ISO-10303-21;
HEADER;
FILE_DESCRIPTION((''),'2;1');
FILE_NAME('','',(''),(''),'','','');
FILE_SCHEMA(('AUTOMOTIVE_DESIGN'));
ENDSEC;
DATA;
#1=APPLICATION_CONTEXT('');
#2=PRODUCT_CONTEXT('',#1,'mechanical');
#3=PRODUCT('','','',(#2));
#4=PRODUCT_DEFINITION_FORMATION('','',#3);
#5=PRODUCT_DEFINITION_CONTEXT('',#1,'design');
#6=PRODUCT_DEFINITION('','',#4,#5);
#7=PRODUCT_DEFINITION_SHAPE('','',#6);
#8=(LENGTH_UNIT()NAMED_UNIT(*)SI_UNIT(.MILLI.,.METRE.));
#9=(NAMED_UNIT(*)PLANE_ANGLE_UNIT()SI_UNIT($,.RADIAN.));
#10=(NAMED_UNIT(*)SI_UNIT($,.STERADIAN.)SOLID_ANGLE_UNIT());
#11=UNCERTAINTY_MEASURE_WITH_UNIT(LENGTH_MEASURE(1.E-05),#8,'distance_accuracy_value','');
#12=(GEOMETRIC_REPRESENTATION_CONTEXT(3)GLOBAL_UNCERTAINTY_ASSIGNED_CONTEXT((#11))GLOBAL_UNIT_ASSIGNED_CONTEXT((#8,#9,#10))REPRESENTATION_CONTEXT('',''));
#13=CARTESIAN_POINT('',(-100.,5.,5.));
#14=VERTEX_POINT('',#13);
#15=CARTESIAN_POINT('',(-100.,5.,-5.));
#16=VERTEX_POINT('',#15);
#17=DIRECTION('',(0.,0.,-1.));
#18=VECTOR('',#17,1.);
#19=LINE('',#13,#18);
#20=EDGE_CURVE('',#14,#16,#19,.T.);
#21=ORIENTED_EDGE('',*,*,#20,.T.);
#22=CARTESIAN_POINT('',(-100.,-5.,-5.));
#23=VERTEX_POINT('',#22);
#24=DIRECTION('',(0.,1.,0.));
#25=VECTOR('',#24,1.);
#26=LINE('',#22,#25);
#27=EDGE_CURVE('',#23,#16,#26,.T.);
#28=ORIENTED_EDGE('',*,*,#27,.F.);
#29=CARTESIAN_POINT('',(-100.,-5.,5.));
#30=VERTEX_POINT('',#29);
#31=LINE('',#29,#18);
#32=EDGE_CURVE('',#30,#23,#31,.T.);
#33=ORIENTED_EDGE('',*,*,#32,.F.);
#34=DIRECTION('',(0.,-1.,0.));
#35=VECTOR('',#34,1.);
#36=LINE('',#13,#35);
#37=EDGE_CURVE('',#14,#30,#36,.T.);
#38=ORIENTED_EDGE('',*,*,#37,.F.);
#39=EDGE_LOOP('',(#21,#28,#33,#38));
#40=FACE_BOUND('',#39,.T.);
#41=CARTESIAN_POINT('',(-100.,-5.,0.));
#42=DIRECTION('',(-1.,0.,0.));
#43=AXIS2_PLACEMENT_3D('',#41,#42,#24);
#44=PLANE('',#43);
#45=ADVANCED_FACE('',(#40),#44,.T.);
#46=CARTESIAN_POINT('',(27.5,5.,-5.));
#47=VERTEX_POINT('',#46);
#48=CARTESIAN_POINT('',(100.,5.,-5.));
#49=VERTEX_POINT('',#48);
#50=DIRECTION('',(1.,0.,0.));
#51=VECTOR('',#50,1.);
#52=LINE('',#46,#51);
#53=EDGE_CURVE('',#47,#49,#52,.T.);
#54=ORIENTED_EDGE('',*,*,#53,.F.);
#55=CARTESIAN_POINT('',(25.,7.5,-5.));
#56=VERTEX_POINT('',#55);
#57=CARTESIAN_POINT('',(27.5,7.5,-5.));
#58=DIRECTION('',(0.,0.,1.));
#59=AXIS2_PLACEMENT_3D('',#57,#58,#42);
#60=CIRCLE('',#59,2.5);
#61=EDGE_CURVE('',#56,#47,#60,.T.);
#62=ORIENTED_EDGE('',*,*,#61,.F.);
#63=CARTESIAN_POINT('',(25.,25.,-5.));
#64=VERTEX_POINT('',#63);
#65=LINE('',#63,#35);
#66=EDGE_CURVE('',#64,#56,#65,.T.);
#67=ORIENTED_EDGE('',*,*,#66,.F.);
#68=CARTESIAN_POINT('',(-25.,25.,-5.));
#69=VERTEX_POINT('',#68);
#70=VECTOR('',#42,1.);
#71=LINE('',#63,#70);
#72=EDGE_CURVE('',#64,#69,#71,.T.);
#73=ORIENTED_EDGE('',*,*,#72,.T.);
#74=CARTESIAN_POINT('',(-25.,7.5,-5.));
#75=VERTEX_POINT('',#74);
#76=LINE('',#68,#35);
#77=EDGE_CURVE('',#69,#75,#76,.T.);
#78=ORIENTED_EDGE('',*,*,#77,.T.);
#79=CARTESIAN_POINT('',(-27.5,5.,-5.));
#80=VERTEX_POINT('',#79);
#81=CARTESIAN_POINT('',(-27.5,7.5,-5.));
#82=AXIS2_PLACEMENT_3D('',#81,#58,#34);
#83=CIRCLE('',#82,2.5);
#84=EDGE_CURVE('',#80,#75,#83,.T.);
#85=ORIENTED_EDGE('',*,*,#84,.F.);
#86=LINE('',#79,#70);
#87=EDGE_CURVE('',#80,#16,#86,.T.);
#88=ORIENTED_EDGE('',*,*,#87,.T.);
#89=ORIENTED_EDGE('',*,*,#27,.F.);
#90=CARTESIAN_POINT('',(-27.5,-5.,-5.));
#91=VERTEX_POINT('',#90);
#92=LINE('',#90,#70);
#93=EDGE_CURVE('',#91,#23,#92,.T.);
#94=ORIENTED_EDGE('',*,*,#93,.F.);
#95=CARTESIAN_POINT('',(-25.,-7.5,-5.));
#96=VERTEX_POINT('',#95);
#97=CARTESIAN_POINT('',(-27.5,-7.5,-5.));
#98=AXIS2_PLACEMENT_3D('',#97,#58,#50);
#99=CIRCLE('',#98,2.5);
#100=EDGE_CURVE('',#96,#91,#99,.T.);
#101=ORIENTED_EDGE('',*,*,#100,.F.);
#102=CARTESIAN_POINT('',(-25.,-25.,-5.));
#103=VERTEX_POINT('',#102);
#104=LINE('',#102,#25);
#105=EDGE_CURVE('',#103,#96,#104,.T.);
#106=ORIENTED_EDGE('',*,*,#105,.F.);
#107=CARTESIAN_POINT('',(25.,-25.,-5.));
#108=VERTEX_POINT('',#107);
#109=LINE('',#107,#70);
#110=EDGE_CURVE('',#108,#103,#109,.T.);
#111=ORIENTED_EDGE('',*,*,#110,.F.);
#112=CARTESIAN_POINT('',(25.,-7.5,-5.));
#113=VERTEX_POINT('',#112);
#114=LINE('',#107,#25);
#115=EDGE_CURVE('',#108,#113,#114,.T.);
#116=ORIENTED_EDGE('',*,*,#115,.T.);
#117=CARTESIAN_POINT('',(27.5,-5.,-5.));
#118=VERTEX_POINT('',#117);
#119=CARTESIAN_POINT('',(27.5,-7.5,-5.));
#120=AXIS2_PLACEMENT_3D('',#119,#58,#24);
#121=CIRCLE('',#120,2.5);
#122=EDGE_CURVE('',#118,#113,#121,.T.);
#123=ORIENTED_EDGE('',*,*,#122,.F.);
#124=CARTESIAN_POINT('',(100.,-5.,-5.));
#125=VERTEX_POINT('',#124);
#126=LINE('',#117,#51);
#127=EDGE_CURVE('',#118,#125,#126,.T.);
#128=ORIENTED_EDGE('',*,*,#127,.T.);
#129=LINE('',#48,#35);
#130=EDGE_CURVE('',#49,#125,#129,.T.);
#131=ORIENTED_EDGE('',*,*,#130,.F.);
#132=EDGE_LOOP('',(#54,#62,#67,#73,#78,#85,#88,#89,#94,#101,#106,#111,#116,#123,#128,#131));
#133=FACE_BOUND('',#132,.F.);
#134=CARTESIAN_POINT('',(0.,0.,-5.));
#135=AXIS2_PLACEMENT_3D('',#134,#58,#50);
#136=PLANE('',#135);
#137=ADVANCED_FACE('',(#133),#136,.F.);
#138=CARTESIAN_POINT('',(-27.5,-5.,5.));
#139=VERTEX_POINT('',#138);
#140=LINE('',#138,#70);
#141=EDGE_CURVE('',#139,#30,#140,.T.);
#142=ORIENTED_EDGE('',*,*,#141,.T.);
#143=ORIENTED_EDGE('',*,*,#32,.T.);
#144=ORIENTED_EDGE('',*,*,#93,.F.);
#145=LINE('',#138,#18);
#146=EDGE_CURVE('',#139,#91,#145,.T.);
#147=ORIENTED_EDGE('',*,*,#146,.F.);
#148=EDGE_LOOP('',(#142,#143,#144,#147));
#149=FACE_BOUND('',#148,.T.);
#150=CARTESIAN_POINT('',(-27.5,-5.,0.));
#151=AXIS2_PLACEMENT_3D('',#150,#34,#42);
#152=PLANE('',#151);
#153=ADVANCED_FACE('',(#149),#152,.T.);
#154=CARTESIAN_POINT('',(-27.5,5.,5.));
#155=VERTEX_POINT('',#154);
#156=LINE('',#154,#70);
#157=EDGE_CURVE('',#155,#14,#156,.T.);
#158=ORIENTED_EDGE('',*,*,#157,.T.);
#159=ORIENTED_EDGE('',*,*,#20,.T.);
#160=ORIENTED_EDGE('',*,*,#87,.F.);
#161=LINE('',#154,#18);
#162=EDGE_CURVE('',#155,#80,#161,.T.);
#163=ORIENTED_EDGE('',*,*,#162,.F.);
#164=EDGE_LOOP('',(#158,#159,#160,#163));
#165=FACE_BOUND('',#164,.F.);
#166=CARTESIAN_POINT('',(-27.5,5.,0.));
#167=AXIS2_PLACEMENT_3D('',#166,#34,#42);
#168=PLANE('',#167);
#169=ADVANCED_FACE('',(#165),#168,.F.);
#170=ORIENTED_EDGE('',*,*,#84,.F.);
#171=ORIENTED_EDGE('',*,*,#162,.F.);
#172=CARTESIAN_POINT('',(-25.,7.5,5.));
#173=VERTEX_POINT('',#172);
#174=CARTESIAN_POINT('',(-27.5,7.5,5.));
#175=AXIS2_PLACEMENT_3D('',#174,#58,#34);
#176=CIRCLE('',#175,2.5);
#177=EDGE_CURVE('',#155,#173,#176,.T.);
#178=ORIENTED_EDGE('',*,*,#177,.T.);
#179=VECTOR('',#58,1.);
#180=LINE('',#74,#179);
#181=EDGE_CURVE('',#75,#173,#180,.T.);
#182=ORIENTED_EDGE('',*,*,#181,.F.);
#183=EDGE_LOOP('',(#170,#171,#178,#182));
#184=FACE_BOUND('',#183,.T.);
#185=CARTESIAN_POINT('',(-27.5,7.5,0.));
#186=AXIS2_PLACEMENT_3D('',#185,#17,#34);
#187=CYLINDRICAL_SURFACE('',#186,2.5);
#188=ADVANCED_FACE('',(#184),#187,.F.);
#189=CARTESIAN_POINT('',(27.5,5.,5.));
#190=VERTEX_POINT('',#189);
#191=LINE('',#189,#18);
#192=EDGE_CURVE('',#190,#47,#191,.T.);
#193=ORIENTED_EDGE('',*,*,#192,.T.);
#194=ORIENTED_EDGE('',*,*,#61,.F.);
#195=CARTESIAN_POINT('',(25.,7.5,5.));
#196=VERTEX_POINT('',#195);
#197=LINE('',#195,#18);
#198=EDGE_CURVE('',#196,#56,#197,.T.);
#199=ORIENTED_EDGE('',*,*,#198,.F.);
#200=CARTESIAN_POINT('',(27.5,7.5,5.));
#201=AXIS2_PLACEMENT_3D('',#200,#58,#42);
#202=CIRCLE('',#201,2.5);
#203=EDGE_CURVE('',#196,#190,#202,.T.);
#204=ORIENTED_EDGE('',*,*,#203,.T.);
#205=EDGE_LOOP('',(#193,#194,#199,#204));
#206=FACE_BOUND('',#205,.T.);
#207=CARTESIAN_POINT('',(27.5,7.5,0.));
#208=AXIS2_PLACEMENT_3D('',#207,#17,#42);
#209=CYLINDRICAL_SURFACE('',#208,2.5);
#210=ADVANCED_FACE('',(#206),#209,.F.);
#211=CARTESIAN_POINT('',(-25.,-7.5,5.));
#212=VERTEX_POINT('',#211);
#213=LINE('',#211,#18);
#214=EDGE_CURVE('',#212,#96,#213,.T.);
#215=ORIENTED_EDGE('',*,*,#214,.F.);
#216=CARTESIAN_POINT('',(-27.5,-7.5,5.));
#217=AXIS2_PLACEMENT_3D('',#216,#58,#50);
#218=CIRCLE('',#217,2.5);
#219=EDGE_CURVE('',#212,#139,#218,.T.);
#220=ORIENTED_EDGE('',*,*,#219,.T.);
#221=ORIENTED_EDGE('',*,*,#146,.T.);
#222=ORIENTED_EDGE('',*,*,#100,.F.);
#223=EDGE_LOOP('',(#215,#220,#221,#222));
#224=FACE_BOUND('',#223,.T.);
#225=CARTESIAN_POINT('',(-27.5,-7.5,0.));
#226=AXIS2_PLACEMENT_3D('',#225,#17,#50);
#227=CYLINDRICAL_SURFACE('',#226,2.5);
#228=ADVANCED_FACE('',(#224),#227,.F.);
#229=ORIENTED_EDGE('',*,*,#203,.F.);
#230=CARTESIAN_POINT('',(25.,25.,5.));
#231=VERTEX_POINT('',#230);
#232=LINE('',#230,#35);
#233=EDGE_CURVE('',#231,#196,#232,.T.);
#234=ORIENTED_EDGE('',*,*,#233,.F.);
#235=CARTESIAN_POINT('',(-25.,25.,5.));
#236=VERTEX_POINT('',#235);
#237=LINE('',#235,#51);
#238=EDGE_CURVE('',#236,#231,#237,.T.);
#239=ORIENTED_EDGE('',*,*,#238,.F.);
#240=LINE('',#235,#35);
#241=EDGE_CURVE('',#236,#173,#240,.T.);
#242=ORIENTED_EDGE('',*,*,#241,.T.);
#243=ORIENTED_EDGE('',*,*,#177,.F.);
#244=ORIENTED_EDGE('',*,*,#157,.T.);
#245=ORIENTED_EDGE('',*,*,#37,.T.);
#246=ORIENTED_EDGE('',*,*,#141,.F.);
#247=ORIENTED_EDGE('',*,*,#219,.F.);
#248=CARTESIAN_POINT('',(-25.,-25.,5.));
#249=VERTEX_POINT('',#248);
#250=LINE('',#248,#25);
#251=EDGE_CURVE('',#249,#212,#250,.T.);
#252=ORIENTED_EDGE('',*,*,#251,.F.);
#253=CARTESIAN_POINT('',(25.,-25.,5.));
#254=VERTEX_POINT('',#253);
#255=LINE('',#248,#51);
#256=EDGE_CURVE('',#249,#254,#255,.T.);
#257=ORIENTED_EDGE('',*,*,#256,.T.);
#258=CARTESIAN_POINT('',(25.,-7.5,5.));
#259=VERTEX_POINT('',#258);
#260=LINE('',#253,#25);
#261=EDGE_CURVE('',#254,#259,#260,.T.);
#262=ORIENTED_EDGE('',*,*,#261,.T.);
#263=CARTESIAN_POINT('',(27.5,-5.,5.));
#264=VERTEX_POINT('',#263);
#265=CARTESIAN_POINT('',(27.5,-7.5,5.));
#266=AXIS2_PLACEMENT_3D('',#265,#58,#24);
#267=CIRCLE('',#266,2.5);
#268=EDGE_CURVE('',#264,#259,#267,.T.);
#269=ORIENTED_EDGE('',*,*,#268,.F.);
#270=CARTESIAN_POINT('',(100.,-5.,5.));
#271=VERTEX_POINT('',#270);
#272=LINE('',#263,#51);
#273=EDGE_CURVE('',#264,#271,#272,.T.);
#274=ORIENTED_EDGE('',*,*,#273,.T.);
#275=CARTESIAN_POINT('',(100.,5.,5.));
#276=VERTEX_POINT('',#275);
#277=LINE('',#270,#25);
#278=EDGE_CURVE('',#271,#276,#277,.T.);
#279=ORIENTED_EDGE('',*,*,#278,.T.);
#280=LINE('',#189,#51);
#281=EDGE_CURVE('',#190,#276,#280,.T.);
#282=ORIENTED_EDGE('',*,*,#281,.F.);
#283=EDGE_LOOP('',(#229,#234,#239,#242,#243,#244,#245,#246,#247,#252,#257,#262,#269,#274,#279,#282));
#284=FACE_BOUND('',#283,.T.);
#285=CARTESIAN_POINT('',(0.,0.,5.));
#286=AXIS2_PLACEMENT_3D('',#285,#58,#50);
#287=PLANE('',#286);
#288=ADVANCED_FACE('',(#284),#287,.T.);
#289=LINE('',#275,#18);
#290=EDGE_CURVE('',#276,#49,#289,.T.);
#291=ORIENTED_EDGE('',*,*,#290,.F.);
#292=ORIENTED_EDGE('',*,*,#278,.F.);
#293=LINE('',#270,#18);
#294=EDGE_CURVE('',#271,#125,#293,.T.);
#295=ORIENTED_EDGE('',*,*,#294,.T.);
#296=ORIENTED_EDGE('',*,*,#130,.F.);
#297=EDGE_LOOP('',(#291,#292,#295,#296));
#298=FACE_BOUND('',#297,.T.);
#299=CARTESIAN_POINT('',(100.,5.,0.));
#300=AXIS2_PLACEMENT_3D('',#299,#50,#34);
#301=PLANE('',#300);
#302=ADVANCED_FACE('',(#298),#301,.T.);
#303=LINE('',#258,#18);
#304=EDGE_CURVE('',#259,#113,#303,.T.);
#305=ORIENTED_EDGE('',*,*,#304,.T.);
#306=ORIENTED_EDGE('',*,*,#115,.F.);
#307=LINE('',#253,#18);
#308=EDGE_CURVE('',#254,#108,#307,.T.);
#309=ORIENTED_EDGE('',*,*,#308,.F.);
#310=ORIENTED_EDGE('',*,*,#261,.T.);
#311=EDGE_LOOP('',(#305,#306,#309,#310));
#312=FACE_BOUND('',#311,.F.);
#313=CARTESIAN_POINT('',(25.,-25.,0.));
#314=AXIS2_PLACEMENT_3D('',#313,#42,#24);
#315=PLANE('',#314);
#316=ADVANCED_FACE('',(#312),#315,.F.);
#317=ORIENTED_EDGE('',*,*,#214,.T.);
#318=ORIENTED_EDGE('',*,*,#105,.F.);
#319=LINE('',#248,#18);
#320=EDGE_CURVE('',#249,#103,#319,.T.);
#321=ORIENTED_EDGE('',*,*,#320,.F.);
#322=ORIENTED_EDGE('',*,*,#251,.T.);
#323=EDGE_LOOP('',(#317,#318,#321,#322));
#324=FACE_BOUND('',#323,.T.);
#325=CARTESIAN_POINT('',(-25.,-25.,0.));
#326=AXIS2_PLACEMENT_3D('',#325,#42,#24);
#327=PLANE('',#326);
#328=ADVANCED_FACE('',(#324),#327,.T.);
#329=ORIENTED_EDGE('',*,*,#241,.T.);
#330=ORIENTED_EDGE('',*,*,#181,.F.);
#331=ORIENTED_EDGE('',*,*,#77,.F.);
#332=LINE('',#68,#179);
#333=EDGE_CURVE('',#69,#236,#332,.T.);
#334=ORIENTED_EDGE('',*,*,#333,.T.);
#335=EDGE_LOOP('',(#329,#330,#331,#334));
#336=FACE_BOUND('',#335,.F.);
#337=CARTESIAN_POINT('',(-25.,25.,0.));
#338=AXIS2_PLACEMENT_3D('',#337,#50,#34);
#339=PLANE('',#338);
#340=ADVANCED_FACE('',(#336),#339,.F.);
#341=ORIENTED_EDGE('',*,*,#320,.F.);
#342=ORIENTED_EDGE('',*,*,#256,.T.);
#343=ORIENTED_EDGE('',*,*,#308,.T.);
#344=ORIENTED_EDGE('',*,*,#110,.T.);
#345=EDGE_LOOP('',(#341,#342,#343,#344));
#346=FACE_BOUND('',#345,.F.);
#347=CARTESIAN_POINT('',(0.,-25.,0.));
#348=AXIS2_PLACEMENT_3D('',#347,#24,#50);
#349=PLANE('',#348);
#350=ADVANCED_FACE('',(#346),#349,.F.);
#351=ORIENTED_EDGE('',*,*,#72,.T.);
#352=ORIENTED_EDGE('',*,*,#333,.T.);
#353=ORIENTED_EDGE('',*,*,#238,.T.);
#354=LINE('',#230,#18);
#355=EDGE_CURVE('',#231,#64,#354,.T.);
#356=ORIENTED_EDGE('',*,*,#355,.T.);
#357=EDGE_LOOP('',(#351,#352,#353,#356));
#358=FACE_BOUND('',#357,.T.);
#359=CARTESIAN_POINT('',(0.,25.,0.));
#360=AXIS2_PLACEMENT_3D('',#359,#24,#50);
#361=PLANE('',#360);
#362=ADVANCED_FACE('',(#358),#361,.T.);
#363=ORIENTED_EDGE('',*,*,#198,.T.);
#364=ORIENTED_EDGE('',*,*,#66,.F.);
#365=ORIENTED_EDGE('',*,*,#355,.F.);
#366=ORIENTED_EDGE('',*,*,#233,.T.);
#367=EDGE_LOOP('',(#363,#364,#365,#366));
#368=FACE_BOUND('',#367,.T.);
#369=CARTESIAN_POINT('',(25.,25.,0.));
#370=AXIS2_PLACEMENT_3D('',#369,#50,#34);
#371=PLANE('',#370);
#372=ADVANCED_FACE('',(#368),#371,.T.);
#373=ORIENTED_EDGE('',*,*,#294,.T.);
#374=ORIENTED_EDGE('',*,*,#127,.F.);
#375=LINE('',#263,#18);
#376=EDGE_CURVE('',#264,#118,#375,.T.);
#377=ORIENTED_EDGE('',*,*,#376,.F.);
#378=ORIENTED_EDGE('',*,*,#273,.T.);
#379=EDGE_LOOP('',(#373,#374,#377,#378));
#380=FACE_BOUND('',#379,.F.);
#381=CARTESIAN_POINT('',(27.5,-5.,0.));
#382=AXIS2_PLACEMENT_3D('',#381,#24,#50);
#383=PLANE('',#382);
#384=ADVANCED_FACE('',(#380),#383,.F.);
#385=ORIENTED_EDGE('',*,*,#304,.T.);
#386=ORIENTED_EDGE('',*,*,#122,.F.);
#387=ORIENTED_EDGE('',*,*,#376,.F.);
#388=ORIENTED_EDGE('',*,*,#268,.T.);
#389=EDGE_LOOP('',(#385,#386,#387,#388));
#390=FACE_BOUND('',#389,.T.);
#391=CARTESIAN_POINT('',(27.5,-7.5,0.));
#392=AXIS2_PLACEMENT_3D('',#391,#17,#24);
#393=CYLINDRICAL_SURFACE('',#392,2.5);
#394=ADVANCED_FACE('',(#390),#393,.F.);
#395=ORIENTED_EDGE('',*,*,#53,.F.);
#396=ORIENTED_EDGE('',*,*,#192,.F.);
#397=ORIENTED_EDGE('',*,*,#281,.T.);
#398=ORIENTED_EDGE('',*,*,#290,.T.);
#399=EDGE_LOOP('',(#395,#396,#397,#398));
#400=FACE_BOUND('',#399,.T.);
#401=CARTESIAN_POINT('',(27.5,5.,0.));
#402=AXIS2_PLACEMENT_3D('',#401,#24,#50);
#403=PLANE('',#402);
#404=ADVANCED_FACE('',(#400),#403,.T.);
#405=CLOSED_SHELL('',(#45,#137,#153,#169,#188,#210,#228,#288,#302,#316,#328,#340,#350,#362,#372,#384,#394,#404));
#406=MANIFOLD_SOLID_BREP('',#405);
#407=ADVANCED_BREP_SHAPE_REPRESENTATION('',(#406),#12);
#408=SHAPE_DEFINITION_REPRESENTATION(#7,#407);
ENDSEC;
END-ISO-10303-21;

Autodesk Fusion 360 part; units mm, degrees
sketch "Sketch1" plane through (0, 0, 0) normal (0, 0, 1) x (1, 0, 0)
  line L0 (0, 25) -> (25, 25)
  line L1 (25, 25) -> (25, 7.5)
  arc A0 (25, 7.5) -> (27.5, 5) centre (27.5, 7.5) ccw
  line L2 (27.5, 5) -> (100, 5)
  line L3 (100, 5) -> (100, 0)
  line L4 (0, 0) -> (0, 25) construction
  line L5 (0, 0) -> (100, 0) construction
  line L6 (0, -25) -> (25, -25)
  line L7 (25, -25) -> (25, -7.5)
  arc A1 (27.5, -5) -> (25, -7.5) centre (27.5, -7.5) ccw
  line L8 (27.5, -5) -> (100, -5)
  line L9 (100, -5) -> (100, 0)
  line L10 (0, 25) -> (-25, 25)
  line L11 (-25, 25) -> (-25, 7.5)
  arc A2 (-27.5, 5) -> (-25, 7.5) centre (-27.5, 7.5) ccw
  line L12 (-27.5, 5) -> (-100, 5)
  line L13 (-25, -25) -> (-25, -7.5)
  line L14 (-27.5, -5) -> (-100, -5)
  arc A3 (-25, -7.5) -> (-27.5, -5) centre (-27.5, -7.5) ccw
  line L15 (0, -25) -> (-25, -25)
  line L16 (-100, 5) -> (-100, 0)
  line L17 (-100, -5) -> (-100, 0)
  dimension "Fillet_Radius" = 2.5
  dimension "Shoulder_Height" = 20
  dimension "Shoulder_Width" = 50
  dimension "Total_Width" = 200
  dimension "Total_Height" = 50
extrude "Extrude1" add sketch "Sketch1" along normal mid plane 10
equation "Thickness = 1 cm"
